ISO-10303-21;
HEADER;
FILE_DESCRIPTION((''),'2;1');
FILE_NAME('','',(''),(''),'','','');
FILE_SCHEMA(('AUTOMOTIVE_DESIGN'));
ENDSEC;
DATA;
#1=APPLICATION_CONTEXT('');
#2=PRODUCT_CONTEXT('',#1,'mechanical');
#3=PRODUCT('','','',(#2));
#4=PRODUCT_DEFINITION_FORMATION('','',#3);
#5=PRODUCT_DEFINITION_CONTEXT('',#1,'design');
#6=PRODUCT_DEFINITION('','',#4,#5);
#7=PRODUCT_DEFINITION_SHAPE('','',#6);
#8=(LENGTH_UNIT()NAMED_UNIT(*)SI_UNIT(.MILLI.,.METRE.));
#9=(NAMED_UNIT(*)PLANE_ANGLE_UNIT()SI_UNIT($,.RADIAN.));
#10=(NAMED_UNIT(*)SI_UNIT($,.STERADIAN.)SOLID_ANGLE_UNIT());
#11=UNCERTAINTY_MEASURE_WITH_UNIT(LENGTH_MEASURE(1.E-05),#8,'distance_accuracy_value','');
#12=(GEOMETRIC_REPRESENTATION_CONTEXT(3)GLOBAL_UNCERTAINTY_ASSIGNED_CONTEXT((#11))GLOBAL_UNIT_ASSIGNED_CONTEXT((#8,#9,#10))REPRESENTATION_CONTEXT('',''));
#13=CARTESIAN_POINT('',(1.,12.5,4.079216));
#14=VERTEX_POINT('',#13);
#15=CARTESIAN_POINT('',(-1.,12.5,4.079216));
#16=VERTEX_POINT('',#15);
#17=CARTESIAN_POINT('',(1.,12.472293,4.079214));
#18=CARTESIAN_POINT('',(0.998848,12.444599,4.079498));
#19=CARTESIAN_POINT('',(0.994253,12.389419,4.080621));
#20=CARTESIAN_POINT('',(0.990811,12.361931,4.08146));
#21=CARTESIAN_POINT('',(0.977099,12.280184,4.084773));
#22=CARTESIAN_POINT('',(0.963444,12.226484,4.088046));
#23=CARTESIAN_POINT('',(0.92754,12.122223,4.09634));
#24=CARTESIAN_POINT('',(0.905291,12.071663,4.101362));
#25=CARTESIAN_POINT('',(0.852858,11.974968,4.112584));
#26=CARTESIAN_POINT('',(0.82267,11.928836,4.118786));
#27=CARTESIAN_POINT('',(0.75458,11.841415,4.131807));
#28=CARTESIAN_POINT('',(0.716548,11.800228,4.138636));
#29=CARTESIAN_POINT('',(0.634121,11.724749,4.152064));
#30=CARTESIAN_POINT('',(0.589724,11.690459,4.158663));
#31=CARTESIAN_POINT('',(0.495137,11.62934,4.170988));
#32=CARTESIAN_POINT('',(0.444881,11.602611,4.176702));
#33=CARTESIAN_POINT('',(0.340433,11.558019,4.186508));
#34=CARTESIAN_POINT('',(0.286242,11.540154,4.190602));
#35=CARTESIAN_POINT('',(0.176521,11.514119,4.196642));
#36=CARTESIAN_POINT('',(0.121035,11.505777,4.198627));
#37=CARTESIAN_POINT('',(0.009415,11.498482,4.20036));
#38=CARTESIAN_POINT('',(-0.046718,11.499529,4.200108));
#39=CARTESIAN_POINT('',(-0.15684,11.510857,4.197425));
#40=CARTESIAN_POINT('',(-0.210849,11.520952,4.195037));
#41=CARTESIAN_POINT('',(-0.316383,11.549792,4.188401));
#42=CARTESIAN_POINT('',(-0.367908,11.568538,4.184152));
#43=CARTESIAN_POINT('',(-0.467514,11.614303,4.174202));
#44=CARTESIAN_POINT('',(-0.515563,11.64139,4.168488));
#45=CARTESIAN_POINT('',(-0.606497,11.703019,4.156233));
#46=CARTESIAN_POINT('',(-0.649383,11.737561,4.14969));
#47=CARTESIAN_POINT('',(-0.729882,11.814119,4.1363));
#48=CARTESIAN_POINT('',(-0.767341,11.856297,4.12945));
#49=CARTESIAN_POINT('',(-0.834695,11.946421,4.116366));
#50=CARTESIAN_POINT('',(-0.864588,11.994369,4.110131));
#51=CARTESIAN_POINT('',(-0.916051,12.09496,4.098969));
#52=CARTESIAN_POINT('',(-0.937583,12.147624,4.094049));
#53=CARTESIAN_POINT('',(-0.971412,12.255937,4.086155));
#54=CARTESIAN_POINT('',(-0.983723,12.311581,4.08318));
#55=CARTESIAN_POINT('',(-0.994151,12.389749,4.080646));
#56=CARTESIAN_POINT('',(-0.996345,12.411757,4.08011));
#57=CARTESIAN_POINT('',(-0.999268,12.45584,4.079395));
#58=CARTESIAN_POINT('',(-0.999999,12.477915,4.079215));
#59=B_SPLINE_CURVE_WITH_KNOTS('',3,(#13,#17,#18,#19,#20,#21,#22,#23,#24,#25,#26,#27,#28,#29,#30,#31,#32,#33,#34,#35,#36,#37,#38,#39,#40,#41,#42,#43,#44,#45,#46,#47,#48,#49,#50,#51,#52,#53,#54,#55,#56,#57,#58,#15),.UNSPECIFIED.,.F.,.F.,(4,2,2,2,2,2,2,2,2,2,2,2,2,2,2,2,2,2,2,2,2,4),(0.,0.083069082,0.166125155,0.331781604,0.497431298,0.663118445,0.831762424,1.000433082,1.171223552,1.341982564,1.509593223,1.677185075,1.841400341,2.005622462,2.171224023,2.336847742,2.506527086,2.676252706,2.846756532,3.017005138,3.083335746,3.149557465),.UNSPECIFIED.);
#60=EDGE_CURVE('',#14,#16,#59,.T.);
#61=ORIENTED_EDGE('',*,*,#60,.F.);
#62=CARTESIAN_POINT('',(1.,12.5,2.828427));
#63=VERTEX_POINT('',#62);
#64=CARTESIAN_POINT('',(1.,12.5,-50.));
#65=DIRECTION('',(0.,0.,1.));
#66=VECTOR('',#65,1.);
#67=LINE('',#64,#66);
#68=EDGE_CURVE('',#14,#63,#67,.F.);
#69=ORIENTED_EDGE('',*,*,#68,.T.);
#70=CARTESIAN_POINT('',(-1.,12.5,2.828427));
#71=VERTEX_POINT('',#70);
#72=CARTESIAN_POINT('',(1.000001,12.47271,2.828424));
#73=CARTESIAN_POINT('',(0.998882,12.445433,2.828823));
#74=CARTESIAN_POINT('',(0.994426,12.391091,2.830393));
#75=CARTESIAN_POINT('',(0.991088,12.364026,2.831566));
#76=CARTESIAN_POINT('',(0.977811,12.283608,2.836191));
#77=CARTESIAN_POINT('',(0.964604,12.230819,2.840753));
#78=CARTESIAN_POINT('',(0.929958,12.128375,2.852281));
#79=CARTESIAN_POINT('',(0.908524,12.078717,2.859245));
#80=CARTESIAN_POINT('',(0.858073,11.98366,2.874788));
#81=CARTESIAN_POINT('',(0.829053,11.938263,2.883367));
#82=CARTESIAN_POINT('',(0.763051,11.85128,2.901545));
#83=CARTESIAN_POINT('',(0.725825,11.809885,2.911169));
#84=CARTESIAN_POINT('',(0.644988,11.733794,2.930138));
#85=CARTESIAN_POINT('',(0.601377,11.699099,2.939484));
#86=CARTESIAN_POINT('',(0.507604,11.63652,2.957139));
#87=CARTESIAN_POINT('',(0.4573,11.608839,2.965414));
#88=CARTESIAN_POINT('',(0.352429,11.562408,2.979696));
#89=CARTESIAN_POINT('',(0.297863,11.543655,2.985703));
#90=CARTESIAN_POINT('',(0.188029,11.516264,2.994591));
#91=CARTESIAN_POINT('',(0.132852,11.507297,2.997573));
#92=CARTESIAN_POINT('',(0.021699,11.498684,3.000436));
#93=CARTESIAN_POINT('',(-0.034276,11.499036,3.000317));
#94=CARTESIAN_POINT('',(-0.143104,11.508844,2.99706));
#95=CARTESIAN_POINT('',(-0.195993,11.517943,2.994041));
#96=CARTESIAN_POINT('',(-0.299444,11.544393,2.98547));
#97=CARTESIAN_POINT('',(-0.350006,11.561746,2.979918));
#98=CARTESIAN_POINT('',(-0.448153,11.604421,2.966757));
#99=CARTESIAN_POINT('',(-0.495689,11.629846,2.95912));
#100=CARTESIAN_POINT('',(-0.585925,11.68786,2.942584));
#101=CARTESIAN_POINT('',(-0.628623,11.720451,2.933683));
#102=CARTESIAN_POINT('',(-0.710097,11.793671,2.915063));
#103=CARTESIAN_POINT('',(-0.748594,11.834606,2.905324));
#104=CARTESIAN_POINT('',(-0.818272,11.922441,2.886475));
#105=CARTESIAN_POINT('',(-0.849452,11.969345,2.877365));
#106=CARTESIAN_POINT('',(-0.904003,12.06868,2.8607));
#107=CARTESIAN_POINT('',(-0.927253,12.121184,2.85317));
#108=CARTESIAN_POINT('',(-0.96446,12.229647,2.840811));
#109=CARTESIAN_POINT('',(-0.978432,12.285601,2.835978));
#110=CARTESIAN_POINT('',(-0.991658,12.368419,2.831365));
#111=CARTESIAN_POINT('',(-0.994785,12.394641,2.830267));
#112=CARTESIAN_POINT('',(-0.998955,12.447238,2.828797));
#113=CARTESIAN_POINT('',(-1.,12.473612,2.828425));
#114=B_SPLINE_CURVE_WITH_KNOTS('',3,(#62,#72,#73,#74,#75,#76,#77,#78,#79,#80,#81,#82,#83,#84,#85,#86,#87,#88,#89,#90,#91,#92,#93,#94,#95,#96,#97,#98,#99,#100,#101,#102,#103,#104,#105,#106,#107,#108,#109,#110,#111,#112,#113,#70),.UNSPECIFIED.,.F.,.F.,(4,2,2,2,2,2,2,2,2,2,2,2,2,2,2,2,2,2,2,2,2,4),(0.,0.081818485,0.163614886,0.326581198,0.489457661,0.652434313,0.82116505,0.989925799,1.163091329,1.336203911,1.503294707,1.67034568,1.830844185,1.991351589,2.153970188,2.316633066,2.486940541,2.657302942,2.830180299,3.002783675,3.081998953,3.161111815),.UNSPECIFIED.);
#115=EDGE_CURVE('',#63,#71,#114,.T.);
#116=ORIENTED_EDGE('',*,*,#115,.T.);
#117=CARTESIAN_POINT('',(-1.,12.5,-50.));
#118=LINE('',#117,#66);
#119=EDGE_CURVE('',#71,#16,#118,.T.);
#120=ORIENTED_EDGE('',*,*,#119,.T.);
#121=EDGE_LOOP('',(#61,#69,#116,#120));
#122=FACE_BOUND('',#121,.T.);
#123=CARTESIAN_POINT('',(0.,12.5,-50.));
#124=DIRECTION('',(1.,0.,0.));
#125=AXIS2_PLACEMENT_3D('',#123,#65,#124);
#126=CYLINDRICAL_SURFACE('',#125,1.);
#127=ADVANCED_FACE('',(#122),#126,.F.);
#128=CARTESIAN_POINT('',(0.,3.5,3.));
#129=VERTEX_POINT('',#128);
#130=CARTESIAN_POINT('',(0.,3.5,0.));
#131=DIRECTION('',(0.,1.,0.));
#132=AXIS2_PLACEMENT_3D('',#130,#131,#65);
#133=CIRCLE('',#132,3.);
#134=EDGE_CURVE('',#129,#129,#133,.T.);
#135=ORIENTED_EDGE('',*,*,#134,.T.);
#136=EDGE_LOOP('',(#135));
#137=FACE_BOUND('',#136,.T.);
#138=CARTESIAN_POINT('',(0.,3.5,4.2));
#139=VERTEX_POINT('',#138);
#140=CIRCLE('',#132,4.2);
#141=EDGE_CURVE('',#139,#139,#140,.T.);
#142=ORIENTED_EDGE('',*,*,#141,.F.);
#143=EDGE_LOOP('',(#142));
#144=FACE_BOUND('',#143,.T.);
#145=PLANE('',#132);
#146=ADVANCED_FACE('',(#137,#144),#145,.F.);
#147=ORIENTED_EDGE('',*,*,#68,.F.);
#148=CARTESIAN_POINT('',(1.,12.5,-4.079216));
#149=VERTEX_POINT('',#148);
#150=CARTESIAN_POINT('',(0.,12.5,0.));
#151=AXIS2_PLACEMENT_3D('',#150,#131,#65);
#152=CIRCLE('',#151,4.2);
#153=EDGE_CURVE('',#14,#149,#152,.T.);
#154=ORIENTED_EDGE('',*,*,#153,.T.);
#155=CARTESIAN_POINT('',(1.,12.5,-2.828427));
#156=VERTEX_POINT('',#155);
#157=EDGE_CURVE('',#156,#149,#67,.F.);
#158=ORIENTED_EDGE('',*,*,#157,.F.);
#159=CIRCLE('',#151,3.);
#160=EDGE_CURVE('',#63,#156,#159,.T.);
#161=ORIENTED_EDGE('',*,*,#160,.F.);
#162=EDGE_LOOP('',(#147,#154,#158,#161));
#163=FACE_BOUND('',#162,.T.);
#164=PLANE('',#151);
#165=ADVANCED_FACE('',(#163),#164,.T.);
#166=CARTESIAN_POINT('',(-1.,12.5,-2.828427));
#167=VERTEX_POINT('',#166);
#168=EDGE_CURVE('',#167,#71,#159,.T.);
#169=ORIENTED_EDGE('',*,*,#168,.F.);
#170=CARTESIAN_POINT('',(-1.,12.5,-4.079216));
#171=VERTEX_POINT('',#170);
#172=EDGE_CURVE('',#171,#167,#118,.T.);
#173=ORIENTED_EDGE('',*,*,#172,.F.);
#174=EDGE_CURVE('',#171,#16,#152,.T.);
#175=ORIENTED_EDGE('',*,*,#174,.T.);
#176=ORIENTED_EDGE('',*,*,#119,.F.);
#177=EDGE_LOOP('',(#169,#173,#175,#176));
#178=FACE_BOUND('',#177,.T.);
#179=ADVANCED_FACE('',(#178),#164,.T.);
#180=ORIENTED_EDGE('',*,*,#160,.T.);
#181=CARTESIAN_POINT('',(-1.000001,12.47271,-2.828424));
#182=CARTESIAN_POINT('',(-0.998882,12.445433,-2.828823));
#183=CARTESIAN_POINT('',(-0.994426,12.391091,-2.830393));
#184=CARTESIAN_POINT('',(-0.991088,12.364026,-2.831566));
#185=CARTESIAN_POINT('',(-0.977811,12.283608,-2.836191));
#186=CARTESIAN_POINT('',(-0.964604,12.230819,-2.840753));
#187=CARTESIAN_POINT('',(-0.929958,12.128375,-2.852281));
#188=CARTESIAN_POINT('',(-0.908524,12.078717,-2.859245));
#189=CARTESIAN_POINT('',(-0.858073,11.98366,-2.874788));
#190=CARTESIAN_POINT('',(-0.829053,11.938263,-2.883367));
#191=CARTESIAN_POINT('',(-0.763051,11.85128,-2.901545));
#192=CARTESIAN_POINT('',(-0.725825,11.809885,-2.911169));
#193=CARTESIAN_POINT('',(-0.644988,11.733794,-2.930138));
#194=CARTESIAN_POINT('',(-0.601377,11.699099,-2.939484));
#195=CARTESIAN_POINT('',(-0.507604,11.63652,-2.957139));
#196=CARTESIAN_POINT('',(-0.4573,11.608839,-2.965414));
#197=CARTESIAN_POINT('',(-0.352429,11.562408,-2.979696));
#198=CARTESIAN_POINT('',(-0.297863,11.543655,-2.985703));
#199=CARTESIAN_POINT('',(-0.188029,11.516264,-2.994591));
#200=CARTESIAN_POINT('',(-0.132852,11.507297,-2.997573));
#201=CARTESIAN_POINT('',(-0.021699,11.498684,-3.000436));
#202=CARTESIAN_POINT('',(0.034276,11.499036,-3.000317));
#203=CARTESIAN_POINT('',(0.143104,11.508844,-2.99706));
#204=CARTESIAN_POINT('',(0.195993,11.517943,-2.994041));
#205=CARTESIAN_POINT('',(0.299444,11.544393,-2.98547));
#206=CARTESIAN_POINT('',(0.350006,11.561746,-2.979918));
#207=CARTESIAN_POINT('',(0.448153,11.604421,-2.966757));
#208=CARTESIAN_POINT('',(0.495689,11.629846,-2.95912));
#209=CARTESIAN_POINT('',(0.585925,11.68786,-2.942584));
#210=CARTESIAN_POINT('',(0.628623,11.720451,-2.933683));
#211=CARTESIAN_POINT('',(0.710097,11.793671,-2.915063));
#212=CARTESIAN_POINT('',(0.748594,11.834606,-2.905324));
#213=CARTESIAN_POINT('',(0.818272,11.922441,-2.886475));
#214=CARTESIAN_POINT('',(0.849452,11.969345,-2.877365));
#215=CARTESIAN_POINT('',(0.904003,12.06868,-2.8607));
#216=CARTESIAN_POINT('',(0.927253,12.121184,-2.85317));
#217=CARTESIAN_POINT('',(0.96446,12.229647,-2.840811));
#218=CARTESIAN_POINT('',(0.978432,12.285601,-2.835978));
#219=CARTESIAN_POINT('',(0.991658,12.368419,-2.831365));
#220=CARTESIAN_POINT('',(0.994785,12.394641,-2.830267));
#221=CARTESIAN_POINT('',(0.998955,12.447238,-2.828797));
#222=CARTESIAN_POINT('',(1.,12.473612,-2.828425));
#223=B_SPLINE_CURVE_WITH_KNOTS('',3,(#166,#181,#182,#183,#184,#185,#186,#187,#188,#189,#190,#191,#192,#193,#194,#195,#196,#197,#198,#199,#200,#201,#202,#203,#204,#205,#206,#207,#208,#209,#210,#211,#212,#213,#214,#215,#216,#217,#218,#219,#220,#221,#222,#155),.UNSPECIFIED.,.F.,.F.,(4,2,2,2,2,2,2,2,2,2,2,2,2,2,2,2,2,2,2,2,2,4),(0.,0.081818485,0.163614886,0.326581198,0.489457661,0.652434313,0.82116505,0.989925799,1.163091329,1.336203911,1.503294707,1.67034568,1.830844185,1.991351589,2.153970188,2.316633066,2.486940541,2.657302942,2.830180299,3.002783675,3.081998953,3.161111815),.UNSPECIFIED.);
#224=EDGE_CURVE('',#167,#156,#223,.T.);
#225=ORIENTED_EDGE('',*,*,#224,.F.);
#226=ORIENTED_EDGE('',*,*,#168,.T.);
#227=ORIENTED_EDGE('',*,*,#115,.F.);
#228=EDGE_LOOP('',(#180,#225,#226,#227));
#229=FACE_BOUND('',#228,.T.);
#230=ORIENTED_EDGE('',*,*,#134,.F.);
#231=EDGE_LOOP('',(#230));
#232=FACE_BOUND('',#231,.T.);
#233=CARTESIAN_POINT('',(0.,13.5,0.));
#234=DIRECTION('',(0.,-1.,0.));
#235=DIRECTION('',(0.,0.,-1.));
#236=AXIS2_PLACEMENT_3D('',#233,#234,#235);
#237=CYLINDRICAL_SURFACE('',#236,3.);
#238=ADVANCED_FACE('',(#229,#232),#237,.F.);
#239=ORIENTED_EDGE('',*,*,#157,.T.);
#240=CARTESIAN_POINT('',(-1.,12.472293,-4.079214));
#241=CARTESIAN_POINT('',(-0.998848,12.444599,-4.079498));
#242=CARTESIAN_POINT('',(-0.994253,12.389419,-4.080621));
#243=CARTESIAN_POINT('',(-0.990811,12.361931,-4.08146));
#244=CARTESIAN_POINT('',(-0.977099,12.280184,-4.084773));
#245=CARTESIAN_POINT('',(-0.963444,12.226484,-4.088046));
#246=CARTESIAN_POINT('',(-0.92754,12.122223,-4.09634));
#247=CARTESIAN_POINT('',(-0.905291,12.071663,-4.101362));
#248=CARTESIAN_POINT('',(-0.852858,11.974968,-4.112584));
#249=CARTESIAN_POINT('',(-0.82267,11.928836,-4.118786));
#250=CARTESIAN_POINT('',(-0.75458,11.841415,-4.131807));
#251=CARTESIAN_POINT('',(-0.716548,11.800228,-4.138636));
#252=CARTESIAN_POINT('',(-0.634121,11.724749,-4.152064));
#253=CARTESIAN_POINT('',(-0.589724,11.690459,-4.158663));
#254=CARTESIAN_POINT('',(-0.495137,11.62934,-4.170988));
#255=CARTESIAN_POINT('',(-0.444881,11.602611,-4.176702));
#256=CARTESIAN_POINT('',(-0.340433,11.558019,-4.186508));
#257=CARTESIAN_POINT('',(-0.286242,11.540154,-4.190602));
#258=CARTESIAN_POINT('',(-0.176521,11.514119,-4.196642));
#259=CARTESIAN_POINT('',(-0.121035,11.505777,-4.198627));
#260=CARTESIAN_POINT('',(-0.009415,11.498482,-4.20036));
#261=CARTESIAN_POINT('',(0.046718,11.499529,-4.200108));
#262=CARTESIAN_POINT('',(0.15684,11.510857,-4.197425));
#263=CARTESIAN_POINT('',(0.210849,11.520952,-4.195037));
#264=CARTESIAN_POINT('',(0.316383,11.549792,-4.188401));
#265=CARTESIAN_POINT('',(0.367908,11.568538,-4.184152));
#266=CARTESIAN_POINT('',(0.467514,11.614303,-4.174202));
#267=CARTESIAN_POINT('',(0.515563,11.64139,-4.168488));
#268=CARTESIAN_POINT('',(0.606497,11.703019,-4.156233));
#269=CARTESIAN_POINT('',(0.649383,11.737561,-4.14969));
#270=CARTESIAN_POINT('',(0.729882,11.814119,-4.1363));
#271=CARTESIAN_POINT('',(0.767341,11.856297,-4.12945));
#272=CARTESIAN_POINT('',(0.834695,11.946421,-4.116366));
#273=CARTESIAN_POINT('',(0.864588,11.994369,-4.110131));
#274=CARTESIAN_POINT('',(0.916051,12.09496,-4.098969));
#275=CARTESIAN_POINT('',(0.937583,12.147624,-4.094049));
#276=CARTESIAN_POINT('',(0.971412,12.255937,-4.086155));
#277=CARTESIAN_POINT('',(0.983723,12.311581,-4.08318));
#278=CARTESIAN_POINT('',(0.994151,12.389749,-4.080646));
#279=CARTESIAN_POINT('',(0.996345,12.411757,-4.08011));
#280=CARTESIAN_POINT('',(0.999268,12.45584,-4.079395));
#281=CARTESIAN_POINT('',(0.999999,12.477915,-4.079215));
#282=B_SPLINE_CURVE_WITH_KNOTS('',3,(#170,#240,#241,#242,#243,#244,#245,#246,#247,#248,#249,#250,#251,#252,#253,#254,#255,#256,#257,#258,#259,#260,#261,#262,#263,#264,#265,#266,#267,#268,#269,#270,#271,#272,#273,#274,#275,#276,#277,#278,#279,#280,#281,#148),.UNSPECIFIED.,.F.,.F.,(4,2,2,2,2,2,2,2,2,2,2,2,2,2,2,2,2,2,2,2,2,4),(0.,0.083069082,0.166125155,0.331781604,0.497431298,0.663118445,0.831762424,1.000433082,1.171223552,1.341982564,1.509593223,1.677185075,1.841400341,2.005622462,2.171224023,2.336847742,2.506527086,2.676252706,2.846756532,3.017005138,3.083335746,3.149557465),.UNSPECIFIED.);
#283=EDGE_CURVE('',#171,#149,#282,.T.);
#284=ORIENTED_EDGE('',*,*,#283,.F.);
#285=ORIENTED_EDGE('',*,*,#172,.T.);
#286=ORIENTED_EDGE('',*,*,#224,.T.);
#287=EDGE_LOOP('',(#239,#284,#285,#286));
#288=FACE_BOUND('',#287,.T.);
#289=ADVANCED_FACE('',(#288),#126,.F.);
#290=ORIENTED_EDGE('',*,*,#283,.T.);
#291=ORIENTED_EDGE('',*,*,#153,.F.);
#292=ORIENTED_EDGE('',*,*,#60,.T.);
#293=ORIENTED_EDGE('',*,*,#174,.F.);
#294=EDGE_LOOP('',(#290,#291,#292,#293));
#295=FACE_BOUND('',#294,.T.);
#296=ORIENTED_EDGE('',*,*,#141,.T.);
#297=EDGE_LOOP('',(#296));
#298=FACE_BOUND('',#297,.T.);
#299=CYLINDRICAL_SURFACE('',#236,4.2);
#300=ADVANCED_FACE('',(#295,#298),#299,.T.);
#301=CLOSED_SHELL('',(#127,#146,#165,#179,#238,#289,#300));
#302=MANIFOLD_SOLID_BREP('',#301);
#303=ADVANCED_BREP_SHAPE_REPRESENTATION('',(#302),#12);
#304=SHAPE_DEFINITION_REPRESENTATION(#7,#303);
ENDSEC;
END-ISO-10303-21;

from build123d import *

# Parameters (mm, degrees)
SKETCH_1_R          = 4.2
SKETCH_1_R_2        = 3
EXTRUDE_1_DEPTH     = 13.5
CUT_EXTRUDE_START   = -1
SKETCH_3_R          = 4.2
CUT_EXTRUDE_3_DEPTH = 1
SKETCH_4_R          = 1
CUT_EXTRUDE_4_DEPTH = 50
MOVE_FACE_1_BY      = 3.5


with BuildPart() as part:
    # ｽｹｯﾁ1 → ﾎﾞｽ - 押し出し1 (new body)
    with BuildSketch(Plane(origin=(0, 0, 0), x_dir=(1, 0, 0), z_dir=(0, 1, 0))):
        with Locations(Location((0, 0, 0), (0, 0, 270))):
            Circle(SKETCH_1_R)
        with Locations(Location((0, 0, 0), (0, 0, 270))):
            Circle(SKETCH_1_R_2, mode=Mode.SUBTRACT)
    extrude(amount=EXTRUDE_1_DEPTH)

    # ｽｹｯﾁ3 → ｶｯﾄ - 押し出し3 (cut)
    with BuildSketch(Plane(origin=(0, 13.5, 0), x_dir=(1, 0, 0), z_dir=(0, 1, 0)).offset(CUT_EXTRUDE_START)):
        with Locations(Location((0, 0, 0), (0, 0, 270))):
            Circle(SKETCH_3_R)
    extrude(amount=CUT_EXTRUDE_3_DEPTH, mode=Mode.SUBTRACT)

    # ｽｹｯﾁ4 → ｶｯﾄ - 押し出し4 (cut, symmetric)
    with BuildSketch(Plane.XY):
        with Locations((0, 12.5)):
            Circle(SKETCH_4_R)
    extrude(amount=CUT_EXTRUDE_4_DEPTH, both=True, mode=Mode.SUBTRACT)

    # Move Face 1: a face moved inward by 3.5
    extrude(part.faces().sort_by_distance((0, 0, 3.36))[0], amount=MOVE_FACE_1_BY, dir=(0, 1, 0), mode=Mode.SUBTRACT)


solid = part.part
